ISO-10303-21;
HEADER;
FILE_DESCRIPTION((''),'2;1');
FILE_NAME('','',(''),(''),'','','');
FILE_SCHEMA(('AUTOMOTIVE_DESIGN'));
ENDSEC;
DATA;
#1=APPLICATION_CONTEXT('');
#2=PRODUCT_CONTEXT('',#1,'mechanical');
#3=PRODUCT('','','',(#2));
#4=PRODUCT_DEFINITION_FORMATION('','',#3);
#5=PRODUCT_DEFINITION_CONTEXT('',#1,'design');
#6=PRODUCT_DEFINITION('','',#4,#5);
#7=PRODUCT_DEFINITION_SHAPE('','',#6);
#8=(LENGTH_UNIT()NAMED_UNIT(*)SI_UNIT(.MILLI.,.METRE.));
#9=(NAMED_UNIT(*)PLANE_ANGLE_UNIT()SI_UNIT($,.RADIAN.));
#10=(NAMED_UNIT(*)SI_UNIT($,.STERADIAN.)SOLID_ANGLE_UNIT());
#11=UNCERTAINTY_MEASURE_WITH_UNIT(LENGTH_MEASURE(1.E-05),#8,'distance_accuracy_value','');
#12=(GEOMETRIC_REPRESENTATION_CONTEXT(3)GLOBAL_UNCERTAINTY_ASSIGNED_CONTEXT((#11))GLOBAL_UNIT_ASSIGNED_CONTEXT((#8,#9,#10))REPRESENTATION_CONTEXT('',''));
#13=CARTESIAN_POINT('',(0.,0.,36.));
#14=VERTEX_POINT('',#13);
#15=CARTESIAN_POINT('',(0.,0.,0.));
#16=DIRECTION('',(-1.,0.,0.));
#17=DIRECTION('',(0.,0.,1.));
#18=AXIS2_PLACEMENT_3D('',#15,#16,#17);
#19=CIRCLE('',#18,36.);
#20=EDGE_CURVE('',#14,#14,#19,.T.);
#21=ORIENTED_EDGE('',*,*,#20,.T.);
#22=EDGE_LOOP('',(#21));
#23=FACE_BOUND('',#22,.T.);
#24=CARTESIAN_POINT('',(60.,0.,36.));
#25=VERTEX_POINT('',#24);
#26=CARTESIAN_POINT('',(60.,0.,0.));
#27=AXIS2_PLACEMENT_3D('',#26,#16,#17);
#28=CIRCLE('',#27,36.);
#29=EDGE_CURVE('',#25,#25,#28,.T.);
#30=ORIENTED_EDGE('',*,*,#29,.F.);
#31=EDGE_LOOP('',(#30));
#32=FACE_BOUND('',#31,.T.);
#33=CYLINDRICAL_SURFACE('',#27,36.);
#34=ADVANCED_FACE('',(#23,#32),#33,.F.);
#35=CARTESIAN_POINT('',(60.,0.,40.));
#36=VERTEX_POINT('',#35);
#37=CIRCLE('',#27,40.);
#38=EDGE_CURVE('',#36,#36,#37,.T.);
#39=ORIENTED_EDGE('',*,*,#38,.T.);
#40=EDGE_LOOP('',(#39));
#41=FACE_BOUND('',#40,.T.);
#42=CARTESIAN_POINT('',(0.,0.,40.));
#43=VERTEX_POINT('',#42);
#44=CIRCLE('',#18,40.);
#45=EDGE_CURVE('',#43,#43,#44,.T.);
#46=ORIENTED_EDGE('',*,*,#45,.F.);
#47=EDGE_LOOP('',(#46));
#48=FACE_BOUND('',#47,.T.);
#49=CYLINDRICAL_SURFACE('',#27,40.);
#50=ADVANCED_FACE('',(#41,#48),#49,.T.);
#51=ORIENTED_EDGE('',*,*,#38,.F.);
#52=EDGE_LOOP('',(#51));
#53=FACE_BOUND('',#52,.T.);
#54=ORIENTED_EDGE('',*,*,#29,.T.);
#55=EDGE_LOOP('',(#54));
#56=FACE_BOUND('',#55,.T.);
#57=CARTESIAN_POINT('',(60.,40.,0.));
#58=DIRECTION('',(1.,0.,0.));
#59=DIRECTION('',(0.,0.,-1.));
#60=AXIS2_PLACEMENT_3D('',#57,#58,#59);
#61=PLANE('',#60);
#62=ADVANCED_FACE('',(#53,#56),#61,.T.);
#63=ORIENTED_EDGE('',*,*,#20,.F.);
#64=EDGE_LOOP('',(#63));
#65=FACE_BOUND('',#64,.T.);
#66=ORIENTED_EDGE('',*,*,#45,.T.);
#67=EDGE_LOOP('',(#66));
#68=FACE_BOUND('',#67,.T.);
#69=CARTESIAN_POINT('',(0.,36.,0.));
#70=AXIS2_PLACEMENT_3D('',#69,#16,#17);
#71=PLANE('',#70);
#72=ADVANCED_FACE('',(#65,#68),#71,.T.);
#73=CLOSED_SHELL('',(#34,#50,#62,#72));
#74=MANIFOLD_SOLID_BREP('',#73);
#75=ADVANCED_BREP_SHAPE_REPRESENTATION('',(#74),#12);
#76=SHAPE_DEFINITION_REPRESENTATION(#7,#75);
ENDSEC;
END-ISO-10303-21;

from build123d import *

# Parameters (mm, degrees)
ESQUISSE1_W = 60
ESQUISSE1_H = 4


with BuildPart() as part:
    # Esquisse1 → Révolution1 (revolve)
    with BuildSketch(Plane(origin=(0, 0, 0), x_dir=(-1, 0, 0), z_dir=(0, 0, -1)), mode=Mode.PRIVATE) as r_volution1_sk:
        with Locations((-30, 38)):
            Rectangle(ESQUISSE1_W, ESQUISSE1_H)
    revolve(r_volution1_sk.sketch.rotate(Axis((60, 0, 0), (-1, 0, 0)), 270), axis=Axis((60, 0, 0), (-1, 0, 0)))


solid = part.part
